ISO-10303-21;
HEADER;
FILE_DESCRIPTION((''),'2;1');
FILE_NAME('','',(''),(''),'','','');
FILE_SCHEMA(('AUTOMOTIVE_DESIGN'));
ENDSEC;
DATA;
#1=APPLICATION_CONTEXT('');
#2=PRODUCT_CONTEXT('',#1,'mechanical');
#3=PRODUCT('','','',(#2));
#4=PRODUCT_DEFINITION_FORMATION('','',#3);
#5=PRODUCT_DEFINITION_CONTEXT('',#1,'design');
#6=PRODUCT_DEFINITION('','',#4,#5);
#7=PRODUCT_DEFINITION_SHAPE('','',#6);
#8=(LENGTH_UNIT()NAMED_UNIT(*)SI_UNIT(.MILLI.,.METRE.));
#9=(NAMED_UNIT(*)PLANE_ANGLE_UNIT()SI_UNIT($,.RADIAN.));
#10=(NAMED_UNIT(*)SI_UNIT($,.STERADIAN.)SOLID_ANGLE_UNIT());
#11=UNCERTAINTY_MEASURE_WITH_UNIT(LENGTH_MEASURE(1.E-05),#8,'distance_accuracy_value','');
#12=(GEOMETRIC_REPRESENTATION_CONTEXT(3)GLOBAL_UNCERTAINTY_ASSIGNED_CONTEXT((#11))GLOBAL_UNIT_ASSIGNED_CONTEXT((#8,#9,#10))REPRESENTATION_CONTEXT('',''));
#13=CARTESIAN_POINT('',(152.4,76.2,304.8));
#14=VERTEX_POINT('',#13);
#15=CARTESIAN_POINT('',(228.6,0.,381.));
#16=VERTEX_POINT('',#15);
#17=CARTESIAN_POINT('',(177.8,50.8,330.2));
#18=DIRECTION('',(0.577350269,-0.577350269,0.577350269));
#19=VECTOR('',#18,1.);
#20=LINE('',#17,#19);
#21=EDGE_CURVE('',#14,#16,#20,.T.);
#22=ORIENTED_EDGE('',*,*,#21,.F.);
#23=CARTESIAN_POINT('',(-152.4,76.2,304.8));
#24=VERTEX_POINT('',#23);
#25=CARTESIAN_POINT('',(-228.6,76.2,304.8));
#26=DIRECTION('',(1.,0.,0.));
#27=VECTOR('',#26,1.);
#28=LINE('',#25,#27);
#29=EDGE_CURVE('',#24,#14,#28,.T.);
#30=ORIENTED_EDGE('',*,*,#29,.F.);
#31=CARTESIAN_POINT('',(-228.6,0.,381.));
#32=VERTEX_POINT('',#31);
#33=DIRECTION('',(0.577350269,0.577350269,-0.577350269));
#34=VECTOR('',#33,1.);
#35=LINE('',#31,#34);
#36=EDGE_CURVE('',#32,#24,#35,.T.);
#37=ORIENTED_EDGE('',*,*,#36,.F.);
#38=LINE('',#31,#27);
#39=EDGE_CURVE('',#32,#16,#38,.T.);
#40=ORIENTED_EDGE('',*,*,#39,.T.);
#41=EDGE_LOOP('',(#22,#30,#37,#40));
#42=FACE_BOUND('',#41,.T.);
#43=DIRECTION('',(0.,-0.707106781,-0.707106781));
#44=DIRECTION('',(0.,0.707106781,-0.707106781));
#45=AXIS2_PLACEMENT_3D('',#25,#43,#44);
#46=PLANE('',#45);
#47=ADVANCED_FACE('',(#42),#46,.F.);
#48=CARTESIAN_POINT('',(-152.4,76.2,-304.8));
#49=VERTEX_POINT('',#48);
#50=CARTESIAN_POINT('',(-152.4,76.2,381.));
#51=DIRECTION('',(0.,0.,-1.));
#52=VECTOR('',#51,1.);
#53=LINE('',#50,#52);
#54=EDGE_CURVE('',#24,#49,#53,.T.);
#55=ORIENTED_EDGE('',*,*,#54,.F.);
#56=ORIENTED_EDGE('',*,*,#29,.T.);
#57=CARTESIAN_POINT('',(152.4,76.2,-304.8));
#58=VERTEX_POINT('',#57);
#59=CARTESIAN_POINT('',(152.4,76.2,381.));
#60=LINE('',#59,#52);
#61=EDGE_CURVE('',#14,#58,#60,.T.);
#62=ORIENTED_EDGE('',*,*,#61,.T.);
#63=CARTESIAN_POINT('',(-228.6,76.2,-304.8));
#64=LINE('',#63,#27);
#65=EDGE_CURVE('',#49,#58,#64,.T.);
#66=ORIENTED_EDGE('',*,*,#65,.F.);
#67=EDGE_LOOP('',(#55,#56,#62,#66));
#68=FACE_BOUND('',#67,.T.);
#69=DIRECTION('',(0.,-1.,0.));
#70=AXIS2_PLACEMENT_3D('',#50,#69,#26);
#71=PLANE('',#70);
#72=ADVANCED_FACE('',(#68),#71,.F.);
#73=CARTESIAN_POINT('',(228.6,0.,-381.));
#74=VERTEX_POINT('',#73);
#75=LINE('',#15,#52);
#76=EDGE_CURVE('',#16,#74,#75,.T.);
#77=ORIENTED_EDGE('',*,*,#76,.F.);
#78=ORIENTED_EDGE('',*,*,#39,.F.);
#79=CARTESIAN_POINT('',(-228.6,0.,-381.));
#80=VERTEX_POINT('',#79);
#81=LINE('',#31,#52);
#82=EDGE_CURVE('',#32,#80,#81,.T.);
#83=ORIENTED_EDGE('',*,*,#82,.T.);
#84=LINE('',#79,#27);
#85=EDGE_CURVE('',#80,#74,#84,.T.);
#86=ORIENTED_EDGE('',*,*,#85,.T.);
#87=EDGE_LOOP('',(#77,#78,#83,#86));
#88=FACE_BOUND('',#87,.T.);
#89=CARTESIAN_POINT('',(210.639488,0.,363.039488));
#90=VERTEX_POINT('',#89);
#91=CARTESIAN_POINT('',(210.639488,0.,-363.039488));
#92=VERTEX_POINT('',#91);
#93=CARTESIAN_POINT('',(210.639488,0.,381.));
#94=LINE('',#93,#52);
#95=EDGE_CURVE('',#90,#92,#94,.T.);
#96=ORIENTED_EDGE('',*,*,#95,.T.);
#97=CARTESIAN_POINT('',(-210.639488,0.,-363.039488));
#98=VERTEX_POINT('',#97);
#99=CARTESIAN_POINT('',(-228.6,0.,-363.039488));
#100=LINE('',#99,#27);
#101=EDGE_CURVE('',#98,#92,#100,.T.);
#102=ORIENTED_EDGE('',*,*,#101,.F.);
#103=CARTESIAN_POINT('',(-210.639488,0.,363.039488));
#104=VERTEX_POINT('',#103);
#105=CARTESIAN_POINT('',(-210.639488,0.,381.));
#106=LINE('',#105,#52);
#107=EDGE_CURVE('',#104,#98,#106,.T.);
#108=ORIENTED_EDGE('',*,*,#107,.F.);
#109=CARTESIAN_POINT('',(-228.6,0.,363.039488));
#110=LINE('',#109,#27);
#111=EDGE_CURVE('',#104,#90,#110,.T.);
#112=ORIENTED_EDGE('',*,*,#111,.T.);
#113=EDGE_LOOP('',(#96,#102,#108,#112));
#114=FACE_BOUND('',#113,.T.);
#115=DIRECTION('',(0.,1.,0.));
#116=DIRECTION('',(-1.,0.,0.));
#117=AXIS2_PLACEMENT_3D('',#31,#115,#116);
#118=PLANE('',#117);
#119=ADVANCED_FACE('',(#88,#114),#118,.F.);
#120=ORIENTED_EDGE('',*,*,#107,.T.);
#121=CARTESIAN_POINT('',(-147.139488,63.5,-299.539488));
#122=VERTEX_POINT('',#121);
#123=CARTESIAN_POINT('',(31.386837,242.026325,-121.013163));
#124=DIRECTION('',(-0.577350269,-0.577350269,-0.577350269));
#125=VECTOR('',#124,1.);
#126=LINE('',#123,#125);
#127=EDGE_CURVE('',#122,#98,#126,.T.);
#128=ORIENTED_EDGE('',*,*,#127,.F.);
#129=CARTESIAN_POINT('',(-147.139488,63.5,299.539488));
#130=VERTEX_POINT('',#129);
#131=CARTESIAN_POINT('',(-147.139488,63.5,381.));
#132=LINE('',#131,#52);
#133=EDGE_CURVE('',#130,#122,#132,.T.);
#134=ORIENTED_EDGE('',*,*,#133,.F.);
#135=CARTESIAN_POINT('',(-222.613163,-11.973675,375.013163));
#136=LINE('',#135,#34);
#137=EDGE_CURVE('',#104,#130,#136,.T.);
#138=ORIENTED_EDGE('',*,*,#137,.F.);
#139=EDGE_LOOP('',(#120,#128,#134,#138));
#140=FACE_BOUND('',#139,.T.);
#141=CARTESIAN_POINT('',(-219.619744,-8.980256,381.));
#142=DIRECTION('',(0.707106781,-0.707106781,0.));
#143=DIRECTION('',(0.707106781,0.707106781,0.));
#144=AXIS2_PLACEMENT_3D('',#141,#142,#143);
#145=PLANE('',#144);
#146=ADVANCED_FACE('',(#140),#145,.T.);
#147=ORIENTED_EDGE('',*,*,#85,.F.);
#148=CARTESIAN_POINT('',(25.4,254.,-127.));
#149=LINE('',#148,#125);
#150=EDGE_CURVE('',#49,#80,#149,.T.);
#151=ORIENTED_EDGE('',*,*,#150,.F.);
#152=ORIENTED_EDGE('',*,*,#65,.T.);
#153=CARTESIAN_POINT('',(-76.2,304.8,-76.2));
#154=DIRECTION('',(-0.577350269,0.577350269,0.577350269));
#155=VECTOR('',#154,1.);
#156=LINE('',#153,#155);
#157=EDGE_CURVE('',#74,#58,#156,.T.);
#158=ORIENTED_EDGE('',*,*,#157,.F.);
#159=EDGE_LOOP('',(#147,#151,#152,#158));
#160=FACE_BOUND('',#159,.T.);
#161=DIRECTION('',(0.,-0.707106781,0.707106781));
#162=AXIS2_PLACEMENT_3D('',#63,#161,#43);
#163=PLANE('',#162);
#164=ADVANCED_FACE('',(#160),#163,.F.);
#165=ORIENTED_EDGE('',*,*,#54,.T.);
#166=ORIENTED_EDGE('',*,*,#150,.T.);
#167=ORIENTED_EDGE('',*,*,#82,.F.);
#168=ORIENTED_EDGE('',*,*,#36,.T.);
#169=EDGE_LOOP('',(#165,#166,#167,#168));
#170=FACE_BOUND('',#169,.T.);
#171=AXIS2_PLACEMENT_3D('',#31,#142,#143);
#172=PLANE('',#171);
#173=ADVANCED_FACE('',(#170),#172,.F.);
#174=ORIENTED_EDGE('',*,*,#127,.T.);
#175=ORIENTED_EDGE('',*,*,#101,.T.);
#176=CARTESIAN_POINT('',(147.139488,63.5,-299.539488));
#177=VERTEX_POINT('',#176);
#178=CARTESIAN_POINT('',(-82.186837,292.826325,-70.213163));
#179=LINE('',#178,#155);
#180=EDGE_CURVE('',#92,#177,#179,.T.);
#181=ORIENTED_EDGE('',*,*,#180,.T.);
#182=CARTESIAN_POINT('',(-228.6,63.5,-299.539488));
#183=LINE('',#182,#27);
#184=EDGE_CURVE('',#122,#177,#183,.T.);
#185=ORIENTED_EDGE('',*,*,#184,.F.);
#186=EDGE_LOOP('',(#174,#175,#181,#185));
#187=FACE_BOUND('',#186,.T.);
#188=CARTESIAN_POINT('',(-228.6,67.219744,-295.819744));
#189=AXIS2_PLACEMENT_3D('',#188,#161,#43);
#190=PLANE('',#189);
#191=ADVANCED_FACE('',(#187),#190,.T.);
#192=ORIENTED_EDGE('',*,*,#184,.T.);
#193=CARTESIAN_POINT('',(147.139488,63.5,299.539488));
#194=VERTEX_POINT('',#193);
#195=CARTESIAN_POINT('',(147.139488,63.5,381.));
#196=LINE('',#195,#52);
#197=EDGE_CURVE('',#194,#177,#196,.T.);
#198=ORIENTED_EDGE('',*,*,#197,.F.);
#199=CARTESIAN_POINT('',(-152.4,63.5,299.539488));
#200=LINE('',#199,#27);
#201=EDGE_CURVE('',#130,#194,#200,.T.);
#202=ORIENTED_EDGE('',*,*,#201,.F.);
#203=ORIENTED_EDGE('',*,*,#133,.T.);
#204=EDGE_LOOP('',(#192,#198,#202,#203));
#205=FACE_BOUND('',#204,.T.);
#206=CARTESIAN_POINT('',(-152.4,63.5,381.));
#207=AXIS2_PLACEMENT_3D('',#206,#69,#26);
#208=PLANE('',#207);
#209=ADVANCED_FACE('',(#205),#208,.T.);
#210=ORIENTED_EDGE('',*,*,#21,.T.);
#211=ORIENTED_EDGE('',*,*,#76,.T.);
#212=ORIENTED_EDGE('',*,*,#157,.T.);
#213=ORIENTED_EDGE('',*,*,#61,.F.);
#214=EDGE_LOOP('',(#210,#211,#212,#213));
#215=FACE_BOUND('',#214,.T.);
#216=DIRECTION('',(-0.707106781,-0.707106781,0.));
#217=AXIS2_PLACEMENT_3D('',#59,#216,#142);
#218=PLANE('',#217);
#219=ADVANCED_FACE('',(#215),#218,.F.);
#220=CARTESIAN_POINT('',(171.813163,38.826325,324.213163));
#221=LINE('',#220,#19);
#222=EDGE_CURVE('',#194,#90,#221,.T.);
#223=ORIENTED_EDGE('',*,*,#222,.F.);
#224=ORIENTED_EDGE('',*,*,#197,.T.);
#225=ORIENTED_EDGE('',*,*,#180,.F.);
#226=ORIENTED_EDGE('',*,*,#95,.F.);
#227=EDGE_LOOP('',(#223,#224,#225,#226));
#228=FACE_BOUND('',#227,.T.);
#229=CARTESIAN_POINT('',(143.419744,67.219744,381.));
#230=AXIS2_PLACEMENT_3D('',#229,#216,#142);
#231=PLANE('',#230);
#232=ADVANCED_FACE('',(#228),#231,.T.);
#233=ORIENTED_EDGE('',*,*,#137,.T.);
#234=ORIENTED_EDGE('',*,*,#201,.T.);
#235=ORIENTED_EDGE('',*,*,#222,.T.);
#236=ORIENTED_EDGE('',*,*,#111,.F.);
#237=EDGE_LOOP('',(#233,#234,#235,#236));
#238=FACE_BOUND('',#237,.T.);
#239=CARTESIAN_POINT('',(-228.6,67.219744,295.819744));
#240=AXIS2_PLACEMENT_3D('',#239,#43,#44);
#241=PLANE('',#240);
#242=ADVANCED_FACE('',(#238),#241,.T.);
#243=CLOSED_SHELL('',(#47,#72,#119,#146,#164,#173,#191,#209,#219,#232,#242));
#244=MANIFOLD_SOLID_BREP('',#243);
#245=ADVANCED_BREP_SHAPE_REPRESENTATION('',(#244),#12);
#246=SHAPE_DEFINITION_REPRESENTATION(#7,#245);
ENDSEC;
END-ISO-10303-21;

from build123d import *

# Parameters (mm, degrees)
BOSS_EXTRUDE1_DEPTH     = 381
CUT_EXTRUDE1_DEPTH      = 451.805279472
CUT_EXTRUDE1_DEPTH_BACK = 451.805279472
SHELL2_T                = -12.7


with BuildPart() as part:
    # Sketch1 → Boss-Extrude1 (new, symmetric)
    with BuildSketch(Plane.XY):
        Polygon((-228.6, 0), (228.6, 0), (152.4, 76.2), (-152.4, 76.2), align=None)
    extrude(amount=BOSS_EXTRUDE1_DEPTH, both=True)

    # Sketch2 → Cut-Extrude1 (cut, two sides: drawn at the far end of the back side and taken through both)
    with BuildSketch(Plane(origin=(0, 0, 0), x_dir=(0, 0, -1), z_dir=(1, 0, 0)).offset(-CUT_EXTRUDE1_DEPTH_BACK)):
        Polygon((-381, 0), (-381, 76.2), (-304.8, 76.2), align=None)
        Polygon((381, 0), (381, 76.2), (304.8, 76.2), align=None)
    extrude(amount=CUT_EXTRUDE1_DEPTH + CUT_EXTRUDE1_DEPTH_BACK, mode=Mode.SUBTRACT)

    # Shell2
    shell2_openings = [part.faces().sort_by_distance(p)[0] for p in [
        (0, 0, 0),
    ]]
    offset(amount=SHELL2_T, openings=shell2_openings, kind=Kind.INTERSECTION)


solid = part.part
